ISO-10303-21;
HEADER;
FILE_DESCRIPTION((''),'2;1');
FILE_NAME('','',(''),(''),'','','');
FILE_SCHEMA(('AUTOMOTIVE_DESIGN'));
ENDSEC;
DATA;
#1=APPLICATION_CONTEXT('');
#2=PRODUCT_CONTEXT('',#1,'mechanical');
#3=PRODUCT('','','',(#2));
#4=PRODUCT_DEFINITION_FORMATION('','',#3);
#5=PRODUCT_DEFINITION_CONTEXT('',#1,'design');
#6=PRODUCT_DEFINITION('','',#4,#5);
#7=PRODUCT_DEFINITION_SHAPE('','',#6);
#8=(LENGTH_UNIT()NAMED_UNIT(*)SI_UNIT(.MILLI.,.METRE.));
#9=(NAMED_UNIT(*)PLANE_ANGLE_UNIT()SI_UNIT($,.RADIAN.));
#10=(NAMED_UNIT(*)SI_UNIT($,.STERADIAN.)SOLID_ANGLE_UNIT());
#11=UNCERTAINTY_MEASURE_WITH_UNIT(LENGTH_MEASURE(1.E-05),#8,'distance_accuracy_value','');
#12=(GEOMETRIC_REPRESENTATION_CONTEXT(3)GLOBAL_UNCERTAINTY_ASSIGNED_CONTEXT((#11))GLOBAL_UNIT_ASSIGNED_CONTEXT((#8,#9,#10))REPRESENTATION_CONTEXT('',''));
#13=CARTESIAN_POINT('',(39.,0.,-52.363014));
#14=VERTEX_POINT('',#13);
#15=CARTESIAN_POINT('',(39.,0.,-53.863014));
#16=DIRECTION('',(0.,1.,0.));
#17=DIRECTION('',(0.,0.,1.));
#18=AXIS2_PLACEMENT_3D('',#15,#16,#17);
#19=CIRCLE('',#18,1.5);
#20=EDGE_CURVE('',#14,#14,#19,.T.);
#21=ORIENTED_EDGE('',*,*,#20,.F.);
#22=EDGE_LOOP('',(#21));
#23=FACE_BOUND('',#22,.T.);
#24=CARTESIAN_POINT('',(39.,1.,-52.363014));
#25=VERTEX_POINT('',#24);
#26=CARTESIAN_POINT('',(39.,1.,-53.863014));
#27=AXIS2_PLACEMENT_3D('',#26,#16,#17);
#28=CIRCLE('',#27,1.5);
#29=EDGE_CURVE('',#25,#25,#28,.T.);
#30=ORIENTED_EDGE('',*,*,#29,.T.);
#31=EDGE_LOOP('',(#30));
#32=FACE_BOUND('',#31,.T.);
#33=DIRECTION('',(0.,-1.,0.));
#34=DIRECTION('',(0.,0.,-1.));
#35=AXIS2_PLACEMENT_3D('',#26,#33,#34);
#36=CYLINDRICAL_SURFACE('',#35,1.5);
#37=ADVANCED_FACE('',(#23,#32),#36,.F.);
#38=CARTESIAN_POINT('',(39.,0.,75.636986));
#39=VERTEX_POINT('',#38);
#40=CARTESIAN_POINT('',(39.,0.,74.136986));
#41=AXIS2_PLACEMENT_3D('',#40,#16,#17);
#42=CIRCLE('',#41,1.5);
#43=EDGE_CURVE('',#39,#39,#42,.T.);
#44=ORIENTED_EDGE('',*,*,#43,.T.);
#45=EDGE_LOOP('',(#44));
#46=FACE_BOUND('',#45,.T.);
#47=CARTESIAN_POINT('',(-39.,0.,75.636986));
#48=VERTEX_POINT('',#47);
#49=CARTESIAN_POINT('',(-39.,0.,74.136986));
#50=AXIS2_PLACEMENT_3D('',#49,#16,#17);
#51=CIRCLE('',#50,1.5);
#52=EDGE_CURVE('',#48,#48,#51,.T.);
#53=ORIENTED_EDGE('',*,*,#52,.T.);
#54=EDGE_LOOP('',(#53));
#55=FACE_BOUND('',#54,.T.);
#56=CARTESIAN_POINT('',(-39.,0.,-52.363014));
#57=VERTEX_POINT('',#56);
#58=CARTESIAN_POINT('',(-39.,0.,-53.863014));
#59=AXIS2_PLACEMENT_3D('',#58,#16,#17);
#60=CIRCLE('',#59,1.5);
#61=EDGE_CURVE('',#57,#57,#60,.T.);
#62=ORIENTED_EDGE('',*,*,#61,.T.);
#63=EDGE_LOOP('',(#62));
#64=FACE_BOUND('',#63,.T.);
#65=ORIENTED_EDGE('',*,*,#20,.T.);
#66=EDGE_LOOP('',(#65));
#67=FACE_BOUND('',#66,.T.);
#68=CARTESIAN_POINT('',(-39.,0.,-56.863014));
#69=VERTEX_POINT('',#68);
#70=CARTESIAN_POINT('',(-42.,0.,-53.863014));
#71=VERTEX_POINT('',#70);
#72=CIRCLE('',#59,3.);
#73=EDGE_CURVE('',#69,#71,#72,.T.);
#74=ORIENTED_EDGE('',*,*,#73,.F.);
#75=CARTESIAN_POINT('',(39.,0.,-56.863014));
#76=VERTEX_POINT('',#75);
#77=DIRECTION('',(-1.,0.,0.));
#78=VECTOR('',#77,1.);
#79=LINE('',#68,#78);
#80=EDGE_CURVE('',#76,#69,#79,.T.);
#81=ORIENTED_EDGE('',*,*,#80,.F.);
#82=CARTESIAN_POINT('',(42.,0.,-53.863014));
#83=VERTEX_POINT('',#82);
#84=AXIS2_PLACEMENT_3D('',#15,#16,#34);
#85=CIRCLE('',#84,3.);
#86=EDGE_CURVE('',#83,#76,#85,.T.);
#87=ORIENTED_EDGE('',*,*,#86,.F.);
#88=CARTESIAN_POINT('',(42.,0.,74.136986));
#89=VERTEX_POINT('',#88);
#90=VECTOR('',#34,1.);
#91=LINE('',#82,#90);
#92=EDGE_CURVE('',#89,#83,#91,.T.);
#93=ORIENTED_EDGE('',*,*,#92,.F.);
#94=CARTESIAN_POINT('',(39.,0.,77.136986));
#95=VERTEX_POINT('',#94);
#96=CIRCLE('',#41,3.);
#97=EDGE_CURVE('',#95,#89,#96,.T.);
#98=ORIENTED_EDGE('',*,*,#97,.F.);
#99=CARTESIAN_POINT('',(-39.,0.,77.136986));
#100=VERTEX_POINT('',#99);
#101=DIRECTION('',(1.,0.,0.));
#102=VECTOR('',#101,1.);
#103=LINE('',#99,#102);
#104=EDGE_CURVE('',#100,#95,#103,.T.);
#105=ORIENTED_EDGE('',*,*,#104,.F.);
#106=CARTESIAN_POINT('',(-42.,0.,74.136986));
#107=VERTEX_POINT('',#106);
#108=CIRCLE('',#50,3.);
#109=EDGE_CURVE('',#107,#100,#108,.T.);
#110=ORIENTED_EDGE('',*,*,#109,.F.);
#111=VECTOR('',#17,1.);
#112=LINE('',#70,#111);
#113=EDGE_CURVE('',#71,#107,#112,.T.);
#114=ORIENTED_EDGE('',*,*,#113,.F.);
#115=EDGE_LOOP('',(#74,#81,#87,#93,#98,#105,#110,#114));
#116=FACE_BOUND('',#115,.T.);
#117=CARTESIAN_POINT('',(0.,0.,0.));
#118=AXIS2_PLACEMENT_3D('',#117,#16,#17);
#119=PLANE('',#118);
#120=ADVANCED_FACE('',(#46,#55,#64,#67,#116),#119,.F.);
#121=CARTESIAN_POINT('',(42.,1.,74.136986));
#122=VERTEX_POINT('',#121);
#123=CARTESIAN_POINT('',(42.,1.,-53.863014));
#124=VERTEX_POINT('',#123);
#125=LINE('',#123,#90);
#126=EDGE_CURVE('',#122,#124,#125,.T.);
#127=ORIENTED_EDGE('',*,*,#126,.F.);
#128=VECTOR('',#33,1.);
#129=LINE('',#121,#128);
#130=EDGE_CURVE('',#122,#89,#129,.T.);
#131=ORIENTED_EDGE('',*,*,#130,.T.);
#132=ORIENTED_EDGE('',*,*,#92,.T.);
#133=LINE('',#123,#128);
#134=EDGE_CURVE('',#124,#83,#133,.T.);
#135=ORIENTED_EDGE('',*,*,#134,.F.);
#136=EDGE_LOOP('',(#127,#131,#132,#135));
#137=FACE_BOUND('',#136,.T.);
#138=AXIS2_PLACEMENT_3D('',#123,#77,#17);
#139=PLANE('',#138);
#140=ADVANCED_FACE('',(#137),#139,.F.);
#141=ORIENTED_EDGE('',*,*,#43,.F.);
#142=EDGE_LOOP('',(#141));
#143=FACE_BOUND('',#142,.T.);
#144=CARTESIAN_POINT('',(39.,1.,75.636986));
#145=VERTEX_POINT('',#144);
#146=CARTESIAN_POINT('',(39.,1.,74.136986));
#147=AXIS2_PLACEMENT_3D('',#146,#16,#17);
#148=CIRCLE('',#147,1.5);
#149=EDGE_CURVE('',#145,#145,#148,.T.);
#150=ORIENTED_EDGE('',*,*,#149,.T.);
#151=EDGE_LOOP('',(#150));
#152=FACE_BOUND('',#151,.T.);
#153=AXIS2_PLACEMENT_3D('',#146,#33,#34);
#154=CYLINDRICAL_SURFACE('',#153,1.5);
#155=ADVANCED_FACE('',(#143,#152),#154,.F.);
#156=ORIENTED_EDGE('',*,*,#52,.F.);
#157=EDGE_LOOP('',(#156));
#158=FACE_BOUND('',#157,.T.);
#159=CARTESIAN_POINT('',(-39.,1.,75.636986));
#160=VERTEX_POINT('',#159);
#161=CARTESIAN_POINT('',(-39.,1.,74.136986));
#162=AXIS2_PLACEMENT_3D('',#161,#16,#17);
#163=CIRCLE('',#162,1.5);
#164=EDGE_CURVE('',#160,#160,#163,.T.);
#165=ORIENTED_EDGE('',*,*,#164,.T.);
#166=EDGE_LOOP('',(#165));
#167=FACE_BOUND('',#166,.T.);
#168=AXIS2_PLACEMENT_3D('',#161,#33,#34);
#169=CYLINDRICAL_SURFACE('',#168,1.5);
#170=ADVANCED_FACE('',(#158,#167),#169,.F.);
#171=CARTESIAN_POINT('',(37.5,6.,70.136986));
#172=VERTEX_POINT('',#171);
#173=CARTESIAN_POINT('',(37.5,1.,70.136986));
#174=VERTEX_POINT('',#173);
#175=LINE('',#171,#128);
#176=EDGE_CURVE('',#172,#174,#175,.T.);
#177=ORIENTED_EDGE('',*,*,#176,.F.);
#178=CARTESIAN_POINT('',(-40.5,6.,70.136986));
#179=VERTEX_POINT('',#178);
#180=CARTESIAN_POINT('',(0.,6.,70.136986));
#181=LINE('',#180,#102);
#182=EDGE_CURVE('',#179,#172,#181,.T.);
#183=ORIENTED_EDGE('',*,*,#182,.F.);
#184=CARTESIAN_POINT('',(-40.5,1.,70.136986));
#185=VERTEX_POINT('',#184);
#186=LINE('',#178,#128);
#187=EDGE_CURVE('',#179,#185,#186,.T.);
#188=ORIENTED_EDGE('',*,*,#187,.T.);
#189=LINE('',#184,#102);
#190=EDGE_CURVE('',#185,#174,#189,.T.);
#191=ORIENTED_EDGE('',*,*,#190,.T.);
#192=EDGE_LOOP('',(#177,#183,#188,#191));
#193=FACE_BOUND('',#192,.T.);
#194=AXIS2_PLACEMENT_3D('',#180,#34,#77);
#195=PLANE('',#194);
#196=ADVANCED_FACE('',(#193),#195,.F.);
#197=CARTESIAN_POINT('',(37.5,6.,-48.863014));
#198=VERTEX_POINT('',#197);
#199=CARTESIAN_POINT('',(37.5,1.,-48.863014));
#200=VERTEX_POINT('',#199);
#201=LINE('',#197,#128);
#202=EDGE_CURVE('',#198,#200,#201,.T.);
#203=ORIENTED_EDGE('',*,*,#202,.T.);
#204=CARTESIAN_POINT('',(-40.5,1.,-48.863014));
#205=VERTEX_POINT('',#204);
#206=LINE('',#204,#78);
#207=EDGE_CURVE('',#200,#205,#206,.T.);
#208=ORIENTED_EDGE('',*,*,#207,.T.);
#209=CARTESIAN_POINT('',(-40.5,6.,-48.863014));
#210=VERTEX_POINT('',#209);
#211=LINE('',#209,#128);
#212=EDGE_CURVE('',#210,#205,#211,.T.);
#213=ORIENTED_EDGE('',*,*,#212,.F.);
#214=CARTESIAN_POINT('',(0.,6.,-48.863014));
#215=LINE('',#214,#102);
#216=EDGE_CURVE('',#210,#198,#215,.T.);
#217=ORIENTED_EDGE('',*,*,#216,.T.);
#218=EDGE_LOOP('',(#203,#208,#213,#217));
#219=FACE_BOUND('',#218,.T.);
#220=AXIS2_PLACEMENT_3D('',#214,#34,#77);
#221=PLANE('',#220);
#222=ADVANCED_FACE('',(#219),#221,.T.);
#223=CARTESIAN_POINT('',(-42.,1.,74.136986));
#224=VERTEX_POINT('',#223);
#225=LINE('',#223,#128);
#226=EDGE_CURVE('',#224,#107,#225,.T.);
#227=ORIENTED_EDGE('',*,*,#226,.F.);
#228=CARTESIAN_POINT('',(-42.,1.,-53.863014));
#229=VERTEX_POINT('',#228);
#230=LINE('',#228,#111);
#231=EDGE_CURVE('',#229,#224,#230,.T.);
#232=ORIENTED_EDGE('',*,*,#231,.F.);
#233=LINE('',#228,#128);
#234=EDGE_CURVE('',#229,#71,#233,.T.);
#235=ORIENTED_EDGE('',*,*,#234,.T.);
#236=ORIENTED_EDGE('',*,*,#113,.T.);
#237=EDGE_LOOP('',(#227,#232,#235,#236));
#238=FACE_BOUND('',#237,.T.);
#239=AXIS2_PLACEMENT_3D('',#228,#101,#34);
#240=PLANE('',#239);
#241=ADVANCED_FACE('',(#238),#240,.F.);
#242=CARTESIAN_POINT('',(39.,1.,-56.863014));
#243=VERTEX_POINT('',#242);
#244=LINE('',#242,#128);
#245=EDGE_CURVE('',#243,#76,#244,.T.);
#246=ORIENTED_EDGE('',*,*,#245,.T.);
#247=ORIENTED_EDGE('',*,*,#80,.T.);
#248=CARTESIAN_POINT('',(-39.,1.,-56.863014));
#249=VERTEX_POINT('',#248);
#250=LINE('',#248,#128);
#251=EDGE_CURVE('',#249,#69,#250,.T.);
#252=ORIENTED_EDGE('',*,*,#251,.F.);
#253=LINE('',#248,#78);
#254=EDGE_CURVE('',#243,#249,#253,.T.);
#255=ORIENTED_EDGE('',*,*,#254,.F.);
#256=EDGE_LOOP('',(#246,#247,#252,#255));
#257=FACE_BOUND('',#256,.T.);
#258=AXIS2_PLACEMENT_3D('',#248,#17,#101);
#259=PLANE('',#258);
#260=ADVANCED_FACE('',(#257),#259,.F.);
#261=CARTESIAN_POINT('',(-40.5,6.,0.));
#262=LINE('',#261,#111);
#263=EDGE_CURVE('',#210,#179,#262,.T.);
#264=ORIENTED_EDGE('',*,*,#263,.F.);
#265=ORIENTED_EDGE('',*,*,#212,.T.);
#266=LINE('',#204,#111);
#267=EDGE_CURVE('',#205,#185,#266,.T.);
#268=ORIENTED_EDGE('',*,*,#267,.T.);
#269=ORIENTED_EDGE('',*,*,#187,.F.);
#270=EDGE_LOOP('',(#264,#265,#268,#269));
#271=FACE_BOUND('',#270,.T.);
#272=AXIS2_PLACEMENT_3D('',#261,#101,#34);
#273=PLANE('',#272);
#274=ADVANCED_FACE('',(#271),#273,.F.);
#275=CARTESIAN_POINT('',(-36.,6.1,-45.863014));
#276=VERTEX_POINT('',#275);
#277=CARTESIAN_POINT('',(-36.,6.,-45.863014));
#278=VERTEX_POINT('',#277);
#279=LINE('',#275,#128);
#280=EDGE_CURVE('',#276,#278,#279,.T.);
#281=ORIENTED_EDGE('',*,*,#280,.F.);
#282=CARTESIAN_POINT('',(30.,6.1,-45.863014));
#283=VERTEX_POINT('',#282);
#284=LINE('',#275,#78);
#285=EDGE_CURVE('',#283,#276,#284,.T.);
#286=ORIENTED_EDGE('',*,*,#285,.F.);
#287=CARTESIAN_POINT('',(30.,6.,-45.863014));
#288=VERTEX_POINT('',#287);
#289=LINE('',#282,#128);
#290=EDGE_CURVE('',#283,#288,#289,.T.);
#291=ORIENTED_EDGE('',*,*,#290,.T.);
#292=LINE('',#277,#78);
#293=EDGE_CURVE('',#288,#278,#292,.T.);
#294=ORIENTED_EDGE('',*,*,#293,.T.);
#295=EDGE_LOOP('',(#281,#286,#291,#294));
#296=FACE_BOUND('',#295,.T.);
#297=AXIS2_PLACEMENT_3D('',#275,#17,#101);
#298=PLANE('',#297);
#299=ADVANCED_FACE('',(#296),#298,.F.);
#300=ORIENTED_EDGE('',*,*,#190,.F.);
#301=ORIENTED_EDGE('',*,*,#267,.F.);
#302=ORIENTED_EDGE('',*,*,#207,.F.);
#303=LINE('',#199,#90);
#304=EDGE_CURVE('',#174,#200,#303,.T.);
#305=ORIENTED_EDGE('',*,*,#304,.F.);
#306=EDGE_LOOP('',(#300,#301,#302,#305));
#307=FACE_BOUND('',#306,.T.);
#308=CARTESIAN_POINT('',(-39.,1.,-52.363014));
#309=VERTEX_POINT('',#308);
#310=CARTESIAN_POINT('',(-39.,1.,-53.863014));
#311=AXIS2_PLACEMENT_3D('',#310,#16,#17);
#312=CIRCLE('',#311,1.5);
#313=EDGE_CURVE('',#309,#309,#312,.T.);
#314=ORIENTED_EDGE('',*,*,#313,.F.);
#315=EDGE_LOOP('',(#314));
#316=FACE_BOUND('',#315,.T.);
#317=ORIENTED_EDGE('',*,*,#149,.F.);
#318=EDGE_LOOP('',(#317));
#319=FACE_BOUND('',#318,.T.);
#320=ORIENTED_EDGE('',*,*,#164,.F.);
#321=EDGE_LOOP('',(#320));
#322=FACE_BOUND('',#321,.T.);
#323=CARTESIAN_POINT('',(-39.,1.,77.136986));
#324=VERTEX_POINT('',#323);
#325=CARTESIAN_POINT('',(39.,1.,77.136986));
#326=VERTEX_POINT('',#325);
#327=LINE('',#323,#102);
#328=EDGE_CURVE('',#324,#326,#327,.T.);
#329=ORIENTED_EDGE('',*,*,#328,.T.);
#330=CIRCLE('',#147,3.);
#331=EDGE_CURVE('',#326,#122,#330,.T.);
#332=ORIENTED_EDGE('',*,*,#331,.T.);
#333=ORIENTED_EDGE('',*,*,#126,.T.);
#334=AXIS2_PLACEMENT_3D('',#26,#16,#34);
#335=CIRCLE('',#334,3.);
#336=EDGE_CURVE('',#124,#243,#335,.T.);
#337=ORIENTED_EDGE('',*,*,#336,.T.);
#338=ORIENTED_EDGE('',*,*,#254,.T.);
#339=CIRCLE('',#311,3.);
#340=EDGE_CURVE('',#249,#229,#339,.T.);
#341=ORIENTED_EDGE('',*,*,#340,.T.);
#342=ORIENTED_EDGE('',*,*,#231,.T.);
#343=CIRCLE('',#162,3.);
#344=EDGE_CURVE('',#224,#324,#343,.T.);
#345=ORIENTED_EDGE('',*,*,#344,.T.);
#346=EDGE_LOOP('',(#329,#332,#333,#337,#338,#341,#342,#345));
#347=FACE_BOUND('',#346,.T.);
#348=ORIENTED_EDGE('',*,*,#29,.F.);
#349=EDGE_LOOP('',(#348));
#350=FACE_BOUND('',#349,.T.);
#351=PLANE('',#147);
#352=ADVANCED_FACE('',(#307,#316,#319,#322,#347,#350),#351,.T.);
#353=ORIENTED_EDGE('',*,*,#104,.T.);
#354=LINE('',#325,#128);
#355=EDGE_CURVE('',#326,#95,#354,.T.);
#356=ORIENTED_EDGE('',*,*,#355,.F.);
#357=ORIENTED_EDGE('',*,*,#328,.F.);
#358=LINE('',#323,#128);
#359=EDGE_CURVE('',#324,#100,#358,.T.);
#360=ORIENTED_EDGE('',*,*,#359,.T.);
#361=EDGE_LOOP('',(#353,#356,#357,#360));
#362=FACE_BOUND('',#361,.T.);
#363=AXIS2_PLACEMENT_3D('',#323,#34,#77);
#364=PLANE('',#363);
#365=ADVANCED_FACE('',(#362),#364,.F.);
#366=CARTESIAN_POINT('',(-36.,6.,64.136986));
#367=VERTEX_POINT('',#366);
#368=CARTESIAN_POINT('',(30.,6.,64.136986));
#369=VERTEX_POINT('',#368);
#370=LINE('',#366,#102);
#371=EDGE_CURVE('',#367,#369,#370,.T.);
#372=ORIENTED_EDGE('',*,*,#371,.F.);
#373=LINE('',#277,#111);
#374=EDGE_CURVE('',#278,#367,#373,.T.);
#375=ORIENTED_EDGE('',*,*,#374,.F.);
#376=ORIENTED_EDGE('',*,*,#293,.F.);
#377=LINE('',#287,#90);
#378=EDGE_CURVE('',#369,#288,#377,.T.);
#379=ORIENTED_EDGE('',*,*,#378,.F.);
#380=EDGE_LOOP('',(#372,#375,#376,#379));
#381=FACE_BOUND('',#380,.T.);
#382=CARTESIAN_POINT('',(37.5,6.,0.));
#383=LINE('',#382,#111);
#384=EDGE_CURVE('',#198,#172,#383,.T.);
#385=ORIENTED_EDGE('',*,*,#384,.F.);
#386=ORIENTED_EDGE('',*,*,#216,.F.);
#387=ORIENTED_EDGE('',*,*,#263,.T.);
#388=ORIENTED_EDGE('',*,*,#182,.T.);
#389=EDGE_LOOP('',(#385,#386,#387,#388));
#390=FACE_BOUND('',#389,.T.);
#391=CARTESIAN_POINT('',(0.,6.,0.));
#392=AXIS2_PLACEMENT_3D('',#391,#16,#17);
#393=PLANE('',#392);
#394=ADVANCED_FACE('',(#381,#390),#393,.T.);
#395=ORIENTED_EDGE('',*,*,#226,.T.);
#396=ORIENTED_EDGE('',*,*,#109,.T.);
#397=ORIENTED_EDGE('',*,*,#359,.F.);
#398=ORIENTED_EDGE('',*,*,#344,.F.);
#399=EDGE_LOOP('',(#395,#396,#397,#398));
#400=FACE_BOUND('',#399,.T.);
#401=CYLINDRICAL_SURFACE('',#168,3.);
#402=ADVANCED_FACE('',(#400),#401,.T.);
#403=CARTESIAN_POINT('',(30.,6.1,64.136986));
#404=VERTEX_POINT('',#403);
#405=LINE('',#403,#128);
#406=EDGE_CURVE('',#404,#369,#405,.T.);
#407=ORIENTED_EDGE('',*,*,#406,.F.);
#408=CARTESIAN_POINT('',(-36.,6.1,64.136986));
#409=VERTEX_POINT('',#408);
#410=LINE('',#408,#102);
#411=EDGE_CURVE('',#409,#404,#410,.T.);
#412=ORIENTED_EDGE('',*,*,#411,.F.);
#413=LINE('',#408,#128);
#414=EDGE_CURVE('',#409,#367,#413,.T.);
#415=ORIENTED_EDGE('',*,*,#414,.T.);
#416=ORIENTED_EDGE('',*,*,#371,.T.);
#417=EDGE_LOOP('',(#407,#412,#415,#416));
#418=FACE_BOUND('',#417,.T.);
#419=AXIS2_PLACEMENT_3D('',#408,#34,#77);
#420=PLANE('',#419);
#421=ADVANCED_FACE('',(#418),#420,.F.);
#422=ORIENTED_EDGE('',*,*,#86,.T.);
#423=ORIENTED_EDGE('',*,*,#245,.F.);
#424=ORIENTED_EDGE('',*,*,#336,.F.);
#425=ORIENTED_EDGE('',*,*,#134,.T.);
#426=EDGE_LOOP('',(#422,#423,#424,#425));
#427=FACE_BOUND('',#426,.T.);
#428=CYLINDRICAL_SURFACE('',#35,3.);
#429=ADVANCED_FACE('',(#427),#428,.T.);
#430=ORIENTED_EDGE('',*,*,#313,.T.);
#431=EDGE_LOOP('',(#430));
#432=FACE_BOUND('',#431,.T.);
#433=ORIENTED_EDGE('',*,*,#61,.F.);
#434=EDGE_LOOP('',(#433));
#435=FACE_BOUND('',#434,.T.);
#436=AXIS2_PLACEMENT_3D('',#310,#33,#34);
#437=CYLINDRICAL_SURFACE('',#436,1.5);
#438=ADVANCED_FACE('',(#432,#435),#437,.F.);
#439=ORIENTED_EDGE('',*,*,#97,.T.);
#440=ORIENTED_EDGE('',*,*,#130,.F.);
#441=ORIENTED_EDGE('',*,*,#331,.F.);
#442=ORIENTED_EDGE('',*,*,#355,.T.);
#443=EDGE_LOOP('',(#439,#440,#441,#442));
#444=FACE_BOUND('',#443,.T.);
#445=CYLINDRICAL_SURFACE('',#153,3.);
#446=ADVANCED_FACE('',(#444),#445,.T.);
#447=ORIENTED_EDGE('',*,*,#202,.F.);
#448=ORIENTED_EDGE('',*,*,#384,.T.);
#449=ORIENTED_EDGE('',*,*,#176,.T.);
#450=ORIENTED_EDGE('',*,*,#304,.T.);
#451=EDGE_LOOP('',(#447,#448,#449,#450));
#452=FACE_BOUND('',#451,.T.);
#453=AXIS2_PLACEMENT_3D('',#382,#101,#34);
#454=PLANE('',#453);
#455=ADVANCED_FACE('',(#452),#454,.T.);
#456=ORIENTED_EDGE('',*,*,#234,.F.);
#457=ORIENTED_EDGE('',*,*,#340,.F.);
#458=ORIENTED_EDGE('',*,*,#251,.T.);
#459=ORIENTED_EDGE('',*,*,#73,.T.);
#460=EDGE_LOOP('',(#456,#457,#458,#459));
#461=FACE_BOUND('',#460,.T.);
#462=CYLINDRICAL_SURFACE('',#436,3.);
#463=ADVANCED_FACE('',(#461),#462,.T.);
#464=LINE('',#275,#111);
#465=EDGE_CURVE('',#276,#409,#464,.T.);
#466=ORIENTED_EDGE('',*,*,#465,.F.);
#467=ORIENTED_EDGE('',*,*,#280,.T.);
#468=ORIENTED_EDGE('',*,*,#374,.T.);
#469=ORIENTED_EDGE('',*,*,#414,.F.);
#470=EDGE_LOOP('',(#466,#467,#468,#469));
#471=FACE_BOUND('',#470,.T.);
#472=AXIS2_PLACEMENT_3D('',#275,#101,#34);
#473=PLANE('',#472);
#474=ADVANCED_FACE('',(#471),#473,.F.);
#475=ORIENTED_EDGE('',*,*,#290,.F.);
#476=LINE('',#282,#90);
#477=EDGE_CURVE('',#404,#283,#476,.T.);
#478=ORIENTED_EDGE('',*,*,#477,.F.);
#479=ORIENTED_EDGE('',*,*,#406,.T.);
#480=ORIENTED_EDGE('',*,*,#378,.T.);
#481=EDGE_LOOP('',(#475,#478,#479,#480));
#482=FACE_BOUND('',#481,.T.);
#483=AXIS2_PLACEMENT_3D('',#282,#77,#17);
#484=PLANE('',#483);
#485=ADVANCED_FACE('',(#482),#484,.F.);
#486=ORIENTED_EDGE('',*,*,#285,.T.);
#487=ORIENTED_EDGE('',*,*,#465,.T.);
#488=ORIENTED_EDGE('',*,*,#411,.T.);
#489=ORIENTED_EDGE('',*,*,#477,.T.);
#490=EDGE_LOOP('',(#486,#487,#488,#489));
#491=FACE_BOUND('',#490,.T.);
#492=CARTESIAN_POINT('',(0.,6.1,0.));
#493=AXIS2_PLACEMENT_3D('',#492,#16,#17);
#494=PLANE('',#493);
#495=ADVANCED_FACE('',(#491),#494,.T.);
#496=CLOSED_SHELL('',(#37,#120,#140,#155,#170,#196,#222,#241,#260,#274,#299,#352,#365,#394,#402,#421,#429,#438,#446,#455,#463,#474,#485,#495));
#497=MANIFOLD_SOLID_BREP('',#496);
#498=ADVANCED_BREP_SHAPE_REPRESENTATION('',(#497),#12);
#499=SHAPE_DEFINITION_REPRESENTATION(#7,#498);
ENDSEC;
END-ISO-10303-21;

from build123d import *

# Parameters (mm, degrees)
SKETCH1_W           = 78
SKETCH1_H           = 119
BOSS_EXTRUDE1_DEPTH = 6
SKETCH1_3_R         = 1.5
SKETCH1_3_W         = 78
SKETCH1_3_H         = 119
BOSS_EXTRUDE2_DEPTH = 1
SKETCH2_W           = 66
SKETCH2_H           = 110
BOSS_EXTRUDE3_DEPTH = 0.1


with BuildPart() as part:
    # Sketch1 → Boss-Extrude1 (new body)
    with BuildSketch(Plane(origin=(0, 0, 0), x_dir=(1, 0, 0), z_dir=(0, 1, 0))):
        with Locations((-1.5, -10.636986301)):
            Rectangle(SKETCH1_W, SKETCH1_H)
    extrude(amount=BOSS_EXTRUDE1_DEPTH)

    # Sketch1<3> → Boss-Extrude2 (add)
    with BuildSketch(Plane(origin=(0, 0, 0), x_dir=(1, 0, 0), z_dir=(0, 1, 0))):
        with BuildLine():
            Line((-39, 56.863013699), (39, 56.863013699))
            ThreePointArc((39, 56.863013699), (41.121320344, 55.984334042), (42, 53.863013699))
            Line((42, 53.863013699), (42, -74.136986301))
            ThreePointArc((42, -74.136986301), (41.121320344, -76.258306645), (39, -77.136986301))
            Line((39, -77.136986301), (-39, -77.136986301))
            ThreePointArc((-39, -77.136986301), (-41.121320344, -76.258306645), (-42, -74.136986301))
            Line((-42, -74.136986301), (-42, 53.863013699))
            ThreePointArc((-42, 53.863013699), (-41.121320344, 55.984334042), (-39, 56.863013699))
        make_face()
        with Locations((-39, 53.863013699)):
            Circle(SKETCH1_3_R, mode=Mode.SUBTRACT)
        with Locations((39, 53.863013699)):
            Circle(SKETCH1_3_R, mode=Mode.SUBTRACT)
        with Locations((-39, -74.136986301)):
            Circle(SKETCH1_3_R, mode=Mode.SUBTRACT)
        with Locations((39, -74.136986301)):
            Circle(SKETCH1_3_R, mode=Mode.SUBTRACT)
        with Locations((-1.5, -10.636986301)):
            Rectangle(SKETCH1_3_W, SKETCH1_3_H, mode=Mode.SUBTRACT)
    extrude(amount=BOSS_EXTRUDE2_DEPTH)

    # Sketch2 → Boss-Extrude3 (add)
    with BuildSketch(Plane(origin=(0, 6, 0), x_dir=(1, 0, 0), z_dir=(0, 1, 0))):
        with Locations((-3, -9.136986301)):
            Rectangle(SKETCH2_W, SKETCH2_H)
    extrude(amount=BOSS_EXTRUDE3_DEPTH)


solid = part.part
